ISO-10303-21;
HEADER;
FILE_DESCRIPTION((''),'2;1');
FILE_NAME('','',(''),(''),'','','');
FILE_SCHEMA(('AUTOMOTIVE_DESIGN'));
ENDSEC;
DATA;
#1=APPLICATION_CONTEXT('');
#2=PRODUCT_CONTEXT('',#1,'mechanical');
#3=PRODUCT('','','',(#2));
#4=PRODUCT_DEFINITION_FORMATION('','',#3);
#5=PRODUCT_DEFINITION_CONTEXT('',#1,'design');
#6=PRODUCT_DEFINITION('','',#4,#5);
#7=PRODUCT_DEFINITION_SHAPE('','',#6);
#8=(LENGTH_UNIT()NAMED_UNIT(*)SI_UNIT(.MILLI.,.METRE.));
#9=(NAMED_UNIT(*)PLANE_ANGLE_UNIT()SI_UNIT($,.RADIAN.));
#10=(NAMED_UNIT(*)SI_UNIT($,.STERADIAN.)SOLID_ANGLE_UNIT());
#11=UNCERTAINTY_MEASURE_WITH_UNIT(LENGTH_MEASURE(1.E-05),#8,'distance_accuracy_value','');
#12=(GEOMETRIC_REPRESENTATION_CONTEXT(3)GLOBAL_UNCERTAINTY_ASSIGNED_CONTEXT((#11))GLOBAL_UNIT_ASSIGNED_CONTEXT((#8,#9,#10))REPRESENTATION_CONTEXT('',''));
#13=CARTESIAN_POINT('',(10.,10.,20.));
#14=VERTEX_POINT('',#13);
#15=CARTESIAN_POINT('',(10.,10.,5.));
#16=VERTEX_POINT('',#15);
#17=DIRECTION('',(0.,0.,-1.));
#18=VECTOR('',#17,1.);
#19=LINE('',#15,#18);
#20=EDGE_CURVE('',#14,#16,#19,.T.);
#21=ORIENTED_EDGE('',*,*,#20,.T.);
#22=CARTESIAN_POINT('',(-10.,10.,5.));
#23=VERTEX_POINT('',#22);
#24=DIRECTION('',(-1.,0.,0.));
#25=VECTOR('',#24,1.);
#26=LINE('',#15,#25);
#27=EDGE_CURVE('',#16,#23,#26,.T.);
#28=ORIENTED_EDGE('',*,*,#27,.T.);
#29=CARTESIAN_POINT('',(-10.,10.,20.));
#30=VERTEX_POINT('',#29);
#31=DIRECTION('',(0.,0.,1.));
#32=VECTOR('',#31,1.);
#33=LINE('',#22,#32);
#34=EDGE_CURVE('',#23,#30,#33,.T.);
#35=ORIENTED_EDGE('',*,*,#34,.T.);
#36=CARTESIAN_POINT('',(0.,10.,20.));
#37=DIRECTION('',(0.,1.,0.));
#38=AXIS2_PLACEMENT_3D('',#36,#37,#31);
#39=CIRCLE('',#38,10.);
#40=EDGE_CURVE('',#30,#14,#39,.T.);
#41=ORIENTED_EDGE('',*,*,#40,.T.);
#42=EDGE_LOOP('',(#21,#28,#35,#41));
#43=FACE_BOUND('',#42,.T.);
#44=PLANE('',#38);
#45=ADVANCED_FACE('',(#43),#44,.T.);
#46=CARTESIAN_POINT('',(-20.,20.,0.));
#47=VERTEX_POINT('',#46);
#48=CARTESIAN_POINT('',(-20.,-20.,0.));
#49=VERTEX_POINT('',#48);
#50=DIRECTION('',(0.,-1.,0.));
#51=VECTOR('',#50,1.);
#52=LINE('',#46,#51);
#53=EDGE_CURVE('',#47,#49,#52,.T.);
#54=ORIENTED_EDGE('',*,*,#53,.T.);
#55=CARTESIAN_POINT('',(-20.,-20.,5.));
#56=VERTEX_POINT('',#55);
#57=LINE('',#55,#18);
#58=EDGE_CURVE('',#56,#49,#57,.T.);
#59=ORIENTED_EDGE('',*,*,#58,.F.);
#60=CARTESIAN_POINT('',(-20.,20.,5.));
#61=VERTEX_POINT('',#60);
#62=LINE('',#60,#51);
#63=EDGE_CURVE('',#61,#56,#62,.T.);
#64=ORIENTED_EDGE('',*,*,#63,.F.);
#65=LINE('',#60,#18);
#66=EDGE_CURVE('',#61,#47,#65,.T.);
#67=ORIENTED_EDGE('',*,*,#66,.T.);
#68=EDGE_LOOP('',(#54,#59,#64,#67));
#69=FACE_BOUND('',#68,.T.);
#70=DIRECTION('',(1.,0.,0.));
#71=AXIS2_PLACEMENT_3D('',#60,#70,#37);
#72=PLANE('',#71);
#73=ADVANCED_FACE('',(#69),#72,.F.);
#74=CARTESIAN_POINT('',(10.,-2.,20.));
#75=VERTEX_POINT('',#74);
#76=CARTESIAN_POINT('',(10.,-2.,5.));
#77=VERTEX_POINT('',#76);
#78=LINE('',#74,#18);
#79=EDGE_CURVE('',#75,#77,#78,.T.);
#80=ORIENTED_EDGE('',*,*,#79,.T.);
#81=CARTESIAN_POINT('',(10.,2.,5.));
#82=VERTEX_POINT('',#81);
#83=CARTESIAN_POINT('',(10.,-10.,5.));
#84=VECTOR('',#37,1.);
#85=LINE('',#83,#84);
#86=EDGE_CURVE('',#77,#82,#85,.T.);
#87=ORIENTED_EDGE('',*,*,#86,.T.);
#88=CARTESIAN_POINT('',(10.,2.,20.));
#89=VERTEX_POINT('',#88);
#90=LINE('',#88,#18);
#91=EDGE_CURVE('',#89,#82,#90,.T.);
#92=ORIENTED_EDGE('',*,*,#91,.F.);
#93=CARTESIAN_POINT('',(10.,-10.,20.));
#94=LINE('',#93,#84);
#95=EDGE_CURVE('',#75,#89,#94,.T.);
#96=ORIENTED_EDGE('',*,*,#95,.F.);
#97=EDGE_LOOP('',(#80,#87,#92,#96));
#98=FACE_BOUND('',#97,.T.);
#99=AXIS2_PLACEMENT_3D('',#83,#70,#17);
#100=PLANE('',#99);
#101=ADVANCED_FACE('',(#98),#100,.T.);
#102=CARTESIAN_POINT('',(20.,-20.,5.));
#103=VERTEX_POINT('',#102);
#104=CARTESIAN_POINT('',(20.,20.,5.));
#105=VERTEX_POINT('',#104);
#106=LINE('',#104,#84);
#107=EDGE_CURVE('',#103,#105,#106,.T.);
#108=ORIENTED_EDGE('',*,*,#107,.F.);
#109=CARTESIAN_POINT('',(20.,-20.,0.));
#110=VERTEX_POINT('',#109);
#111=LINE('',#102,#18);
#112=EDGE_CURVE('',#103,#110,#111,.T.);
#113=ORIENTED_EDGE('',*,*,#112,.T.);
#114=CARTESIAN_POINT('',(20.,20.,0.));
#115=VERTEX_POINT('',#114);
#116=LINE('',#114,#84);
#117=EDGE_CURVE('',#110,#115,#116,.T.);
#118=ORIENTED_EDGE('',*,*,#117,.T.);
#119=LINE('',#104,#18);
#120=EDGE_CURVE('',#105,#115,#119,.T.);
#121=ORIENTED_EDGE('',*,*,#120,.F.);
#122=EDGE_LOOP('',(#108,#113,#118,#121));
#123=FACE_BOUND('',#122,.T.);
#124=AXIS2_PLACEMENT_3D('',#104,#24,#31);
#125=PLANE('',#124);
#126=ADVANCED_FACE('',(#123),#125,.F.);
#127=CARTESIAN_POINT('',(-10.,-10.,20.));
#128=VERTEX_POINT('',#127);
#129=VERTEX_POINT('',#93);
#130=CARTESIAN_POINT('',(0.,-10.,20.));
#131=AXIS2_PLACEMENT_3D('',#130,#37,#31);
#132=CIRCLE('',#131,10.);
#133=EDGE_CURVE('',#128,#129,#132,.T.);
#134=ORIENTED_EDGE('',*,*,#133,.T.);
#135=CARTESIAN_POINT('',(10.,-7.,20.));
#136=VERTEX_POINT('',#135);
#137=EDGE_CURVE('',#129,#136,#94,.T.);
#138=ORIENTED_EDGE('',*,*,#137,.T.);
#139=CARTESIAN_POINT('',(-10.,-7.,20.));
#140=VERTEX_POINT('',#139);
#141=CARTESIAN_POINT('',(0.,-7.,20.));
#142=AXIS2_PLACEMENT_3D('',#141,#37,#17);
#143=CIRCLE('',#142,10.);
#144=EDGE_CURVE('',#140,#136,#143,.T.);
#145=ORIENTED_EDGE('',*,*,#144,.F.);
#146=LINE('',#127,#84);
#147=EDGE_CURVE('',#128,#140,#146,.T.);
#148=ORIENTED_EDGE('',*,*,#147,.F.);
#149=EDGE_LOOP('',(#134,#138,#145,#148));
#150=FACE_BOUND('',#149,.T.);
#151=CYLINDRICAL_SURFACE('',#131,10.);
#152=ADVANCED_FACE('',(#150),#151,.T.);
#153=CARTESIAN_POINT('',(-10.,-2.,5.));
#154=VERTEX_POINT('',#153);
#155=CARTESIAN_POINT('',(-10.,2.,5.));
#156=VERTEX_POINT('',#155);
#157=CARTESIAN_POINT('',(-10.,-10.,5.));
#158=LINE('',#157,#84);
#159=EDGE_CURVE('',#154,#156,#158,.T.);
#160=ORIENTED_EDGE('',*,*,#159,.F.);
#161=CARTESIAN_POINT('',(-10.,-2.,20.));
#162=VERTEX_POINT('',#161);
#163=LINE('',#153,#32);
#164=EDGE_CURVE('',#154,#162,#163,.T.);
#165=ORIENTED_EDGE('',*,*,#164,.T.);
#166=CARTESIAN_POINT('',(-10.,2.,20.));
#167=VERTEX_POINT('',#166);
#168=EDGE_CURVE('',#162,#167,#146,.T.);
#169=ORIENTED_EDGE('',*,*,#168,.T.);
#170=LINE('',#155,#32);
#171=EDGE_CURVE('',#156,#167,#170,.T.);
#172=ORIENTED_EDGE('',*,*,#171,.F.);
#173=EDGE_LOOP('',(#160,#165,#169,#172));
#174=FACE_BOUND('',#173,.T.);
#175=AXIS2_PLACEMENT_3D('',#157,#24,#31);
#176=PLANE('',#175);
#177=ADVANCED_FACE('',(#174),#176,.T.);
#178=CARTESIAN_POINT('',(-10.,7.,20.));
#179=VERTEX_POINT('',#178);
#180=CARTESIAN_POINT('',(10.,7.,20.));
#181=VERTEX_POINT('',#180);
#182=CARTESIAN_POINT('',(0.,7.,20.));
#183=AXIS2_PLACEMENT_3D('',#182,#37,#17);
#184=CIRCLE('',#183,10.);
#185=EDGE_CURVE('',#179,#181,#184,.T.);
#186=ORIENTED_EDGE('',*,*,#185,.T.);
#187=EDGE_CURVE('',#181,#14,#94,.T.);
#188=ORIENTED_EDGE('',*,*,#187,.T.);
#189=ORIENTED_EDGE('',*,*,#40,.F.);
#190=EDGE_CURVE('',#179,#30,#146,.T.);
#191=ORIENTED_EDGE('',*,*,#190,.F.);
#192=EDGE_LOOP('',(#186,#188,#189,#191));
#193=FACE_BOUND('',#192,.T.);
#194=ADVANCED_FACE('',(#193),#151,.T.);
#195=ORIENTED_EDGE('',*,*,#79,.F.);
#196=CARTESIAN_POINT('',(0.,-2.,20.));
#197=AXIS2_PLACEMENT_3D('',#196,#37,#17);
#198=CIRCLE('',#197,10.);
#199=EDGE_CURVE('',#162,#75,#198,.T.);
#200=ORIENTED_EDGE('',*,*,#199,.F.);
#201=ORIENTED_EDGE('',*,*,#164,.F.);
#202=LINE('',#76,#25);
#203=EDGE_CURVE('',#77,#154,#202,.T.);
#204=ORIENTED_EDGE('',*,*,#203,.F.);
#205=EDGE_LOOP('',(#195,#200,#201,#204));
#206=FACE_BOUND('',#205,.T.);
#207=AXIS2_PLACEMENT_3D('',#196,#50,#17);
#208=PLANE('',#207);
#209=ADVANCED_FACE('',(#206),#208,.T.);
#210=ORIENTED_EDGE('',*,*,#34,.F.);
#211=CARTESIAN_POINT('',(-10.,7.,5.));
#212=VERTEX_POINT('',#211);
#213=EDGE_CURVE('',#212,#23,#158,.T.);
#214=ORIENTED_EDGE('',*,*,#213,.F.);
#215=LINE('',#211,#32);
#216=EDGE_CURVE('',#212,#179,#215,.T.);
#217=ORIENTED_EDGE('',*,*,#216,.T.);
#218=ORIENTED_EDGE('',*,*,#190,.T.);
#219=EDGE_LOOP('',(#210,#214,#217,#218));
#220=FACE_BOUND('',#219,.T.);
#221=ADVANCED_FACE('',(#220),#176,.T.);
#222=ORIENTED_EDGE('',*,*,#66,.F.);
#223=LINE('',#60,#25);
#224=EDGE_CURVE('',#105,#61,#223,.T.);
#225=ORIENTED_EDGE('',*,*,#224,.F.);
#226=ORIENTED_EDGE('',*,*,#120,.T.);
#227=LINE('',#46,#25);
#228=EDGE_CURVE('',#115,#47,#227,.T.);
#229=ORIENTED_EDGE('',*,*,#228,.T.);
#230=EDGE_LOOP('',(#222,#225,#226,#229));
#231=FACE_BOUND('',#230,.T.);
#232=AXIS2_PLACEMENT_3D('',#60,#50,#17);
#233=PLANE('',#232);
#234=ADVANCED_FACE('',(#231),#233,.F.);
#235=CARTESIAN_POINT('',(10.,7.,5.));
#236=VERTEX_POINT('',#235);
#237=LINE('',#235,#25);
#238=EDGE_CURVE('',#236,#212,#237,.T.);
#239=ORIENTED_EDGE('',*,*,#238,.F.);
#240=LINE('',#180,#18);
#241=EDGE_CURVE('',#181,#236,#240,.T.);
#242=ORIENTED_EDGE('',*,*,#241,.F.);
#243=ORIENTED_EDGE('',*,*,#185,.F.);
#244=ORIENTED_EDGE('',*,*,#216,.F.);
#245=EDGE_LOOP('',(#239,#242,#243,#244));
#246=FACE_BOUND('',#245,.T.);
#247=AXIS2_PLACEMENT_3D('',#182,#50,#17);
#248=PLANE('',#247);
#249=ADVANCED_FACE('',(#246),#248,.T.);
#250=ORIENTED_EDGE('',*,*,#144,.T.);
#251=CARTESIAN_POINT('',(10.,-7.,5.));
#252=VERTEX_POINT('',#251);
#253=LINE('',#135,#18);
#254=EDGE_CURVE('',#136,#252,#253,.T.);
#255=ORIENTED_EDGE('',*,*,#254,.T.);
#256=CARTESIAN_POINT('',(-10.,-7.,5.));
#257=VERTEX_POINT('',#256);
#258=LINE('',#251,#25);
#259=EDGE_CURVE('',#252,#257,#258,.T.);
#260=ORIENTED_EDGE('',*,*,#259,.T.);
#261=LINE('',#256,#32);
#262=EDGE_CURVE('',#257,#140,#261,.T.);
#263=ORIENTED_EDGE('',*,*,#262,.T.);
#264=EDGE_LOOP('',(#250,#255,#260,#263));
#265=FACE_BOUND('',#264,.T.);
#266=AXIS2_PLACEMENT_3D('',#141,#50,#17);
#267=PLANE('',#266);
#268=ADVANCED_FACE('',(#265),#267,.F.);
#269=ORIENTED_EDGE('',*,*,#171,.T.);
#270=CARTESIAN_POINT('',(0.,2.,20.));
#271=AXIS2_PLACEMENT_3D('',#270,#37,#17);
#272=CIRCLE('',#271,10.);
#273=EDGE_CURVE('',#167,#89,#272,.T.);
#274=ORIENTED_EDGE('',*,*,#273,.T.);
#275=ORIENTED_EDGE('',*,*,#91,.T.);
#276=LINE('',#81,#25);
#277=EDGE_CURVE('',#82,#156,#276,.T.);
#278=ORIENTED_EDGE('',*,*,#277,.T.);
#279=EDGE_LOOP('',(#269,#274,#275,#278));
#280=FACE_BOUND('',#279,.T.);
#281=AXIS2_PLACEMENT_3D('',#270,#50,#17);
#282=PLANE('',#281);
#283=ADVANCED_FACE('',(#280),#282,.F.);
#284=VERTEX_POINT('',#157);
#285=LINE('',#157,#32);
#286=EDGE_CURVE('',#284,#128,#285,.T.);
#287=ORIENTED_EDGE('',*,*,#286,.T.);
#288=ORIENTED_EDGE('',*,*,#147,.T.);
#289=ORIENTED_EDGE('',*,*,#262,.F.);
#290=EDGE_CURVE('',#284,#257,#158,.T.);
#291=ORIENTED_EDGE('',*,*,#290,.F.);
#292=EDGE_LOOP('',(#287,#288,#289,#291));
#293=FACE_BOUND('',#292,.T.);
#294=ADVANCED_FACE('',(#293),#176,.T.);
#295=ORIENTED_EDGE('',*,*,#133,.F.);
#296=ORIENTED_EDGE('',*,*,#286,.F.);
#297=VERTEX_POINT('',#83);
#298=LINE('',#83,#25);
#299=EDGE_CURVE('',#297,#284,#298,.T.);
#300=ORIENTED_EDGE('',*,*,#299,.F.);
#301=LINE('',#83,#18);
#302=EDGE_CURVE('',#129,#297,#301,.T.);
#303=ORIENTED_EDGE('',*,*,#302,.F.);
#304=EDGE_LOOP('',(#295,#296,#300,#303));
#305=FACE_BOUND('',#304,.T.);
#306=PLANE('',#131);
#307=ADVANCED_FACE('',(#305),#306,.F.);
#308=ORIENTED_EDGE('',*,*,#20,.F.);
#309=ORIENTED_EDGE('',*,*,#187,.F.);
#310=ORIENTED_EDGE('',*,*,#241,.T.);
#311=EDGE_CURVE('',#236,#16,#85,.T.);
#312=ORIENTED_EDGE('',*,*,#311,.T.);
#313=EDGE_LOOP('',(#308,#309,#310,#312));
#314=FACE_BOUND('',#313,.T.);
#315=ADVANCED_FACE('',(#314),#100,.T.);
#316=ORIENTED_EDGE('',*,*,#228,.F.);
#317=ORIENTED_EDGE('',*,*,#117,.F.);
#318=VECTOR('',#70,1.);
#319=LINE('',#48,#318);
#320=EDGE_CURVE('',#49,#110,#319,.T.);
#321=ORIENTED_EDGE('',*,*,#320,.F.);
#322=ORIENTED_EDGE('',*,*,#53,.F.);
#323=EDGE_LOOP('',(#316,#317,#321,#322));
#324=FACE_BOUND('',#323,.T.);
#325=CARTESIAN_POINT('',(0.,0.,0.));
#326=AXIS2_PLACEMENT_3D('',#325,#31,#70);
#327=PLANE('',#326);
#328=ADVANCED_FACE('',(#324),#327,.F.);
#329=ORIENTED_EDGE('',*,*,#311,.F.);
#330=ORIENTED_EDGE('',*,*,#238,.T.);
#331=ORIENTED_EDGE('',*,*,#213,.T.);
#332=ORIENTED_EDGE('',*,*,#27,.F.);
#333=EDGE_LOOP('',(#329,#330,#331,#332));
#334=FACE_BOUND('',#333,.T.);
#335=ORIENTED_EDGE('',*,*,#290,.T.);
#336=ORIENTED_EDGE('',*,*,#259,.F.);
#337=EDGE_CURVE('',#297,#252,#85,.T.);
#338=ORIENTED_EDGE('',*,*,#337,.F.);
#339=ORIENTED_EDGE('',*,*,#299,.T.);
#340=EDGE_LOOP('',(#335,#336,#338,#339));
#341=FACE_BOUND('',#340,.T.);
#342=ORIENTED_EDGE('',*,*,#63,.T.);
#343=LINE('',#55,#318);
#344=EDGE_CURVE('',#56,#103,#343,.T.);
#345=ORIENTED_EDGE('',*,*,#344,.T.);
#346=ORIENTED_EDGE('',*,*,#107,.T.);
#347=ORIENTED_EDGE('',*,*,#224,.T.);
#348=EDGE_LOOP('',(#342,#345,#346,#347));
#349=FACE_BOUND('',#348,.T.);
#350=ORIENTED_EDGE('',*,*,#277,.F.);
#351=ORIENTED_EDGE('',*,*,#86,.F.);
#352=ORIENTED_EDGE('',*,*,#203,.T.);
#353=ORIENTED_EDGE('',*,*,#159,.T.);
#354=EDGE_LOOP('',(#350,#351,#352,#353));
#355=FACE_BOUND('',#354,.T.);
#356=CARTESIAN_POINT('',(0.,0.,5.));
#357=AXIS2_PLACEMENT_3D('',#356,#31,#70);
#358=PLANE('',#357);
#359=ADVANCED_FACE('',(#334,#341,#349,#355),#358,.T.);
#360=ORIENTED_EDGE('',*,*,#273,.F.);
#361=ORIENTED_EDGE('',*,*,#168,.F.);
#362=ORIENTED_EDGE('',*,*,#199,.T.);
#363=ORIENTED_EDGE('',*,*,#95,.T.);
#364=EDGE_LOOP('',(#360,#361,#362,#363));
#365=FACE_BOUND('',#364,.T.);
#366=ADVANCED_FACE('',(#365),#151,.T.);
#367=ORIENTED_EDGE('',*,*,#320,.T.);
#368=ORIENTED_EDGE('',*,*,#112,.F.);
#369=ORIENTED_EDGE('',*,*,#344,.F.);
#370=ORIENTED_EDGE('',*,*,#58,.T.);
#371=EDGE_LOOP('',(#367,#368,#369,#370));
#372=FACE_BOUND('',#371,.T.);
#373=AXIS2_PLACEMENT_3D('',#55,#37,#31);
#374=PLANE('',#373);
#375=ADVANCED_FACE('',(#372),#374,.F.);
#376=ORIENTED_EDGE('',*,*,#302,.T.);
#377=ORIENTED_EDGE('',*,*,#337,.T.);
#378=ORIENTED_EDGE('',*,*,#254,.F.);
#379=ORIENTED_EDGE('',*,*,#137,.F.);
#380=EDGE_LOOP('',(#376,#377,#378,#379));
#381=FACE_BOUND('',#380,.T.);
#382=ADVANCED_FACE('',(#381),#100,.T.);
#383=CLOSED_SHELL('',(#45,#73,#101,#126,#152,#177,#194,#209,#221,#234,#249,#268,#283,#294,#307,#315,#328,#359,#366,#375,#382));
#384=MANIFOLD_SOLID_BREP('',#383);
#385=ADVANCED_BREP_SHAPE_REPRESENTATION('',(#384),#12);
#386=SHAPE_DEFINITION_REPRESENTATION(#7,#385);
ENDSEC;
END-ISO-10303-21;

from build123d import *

# Parameters (mm, degrees)
SKETCH1_W           = 40
SKETCH1_H           = 40
BOSS_EXTRUDE1_DEPTH = 5
BOSS_EXTRUDE2_START = 10
BOSS_EXTRUDE2_DEPTH = 20
CUT_EXTRUDE1_START  = -3
CUT_EXTRUDE1_DEPTH  = 5
CUT_EXTRUDE2_START  = -12
CUT_EXTRUDE2_DEPTH  = 5


with BuildPart() as part:
    # Sketch1 → Boss-Extrude1 (new body)
    with BuildSketch(Plane.XY):
        Rectangle(SKETCH1_W, SKETCH1_H)
    extrude(amount=BOSS_EXTRUDE1_DEPTH)

    # Sketch2 → Boss-Extrude2 (add)
    with BuildSketch(Plane(origin=(0, 0, 0), x_dir=(1, 0, 0), z_dir=(0, 1, 0)).offset(BOSS_EXTRUDE2_START)):
        with BuildLine():
            Line((10, -5), (-10, -5))
            Line((-10, -5), (-10, -20))
            ThreePointArc((-10, -20), (0, -30), (10, -20))
            Line((10, -20), (10, -5))
        make_face()
    extrude(amount=-BOSS_EXTRUDE2_DEPTH)

    # Sketch3 → Cut-Extrude1 (cut)
    with BuildSketch(Plane(origin=(0, 10, 0), x_dir=(1, 0, 0), z_dir=(0, 1, 0)).offset(CUT_EXTRUDE1_START)):
        with BuildLine():
            Line((10, -20), (10, -5))
            Line((10, -5), (-10, -5))
            Line((-10, -5), (-10, -20))
            ThreePointArc((-10, -20), (0, -30), (10, -20))
        make_face()
    extrude(amount=-CUT_EXTRUDE1_DEPTH, mode=Mode.SUBTRACT)

    # Sketch4 → Cut-Extrude2 (cut)
    with BuildSketch(Plane(origin=(0, 10, 0), x_dir=(1, 0, 0), z_dir=(0, 1, 0)).offset(CUT_EXTRUDE2_START)):
        with BuildLine():
            Line((10, -20), (10, -5))
            Line((10, -5), (-10, -5))
            Line((-10, -5), (-10, -20))
            ThreePointArc((-10, -20), (0, -30), (10, -20))
        make_face()
    extrude(amount=-CUT_EXTRUDE2_DEPTH, mode=Mode.SUBTRACT)


solid = part.part
